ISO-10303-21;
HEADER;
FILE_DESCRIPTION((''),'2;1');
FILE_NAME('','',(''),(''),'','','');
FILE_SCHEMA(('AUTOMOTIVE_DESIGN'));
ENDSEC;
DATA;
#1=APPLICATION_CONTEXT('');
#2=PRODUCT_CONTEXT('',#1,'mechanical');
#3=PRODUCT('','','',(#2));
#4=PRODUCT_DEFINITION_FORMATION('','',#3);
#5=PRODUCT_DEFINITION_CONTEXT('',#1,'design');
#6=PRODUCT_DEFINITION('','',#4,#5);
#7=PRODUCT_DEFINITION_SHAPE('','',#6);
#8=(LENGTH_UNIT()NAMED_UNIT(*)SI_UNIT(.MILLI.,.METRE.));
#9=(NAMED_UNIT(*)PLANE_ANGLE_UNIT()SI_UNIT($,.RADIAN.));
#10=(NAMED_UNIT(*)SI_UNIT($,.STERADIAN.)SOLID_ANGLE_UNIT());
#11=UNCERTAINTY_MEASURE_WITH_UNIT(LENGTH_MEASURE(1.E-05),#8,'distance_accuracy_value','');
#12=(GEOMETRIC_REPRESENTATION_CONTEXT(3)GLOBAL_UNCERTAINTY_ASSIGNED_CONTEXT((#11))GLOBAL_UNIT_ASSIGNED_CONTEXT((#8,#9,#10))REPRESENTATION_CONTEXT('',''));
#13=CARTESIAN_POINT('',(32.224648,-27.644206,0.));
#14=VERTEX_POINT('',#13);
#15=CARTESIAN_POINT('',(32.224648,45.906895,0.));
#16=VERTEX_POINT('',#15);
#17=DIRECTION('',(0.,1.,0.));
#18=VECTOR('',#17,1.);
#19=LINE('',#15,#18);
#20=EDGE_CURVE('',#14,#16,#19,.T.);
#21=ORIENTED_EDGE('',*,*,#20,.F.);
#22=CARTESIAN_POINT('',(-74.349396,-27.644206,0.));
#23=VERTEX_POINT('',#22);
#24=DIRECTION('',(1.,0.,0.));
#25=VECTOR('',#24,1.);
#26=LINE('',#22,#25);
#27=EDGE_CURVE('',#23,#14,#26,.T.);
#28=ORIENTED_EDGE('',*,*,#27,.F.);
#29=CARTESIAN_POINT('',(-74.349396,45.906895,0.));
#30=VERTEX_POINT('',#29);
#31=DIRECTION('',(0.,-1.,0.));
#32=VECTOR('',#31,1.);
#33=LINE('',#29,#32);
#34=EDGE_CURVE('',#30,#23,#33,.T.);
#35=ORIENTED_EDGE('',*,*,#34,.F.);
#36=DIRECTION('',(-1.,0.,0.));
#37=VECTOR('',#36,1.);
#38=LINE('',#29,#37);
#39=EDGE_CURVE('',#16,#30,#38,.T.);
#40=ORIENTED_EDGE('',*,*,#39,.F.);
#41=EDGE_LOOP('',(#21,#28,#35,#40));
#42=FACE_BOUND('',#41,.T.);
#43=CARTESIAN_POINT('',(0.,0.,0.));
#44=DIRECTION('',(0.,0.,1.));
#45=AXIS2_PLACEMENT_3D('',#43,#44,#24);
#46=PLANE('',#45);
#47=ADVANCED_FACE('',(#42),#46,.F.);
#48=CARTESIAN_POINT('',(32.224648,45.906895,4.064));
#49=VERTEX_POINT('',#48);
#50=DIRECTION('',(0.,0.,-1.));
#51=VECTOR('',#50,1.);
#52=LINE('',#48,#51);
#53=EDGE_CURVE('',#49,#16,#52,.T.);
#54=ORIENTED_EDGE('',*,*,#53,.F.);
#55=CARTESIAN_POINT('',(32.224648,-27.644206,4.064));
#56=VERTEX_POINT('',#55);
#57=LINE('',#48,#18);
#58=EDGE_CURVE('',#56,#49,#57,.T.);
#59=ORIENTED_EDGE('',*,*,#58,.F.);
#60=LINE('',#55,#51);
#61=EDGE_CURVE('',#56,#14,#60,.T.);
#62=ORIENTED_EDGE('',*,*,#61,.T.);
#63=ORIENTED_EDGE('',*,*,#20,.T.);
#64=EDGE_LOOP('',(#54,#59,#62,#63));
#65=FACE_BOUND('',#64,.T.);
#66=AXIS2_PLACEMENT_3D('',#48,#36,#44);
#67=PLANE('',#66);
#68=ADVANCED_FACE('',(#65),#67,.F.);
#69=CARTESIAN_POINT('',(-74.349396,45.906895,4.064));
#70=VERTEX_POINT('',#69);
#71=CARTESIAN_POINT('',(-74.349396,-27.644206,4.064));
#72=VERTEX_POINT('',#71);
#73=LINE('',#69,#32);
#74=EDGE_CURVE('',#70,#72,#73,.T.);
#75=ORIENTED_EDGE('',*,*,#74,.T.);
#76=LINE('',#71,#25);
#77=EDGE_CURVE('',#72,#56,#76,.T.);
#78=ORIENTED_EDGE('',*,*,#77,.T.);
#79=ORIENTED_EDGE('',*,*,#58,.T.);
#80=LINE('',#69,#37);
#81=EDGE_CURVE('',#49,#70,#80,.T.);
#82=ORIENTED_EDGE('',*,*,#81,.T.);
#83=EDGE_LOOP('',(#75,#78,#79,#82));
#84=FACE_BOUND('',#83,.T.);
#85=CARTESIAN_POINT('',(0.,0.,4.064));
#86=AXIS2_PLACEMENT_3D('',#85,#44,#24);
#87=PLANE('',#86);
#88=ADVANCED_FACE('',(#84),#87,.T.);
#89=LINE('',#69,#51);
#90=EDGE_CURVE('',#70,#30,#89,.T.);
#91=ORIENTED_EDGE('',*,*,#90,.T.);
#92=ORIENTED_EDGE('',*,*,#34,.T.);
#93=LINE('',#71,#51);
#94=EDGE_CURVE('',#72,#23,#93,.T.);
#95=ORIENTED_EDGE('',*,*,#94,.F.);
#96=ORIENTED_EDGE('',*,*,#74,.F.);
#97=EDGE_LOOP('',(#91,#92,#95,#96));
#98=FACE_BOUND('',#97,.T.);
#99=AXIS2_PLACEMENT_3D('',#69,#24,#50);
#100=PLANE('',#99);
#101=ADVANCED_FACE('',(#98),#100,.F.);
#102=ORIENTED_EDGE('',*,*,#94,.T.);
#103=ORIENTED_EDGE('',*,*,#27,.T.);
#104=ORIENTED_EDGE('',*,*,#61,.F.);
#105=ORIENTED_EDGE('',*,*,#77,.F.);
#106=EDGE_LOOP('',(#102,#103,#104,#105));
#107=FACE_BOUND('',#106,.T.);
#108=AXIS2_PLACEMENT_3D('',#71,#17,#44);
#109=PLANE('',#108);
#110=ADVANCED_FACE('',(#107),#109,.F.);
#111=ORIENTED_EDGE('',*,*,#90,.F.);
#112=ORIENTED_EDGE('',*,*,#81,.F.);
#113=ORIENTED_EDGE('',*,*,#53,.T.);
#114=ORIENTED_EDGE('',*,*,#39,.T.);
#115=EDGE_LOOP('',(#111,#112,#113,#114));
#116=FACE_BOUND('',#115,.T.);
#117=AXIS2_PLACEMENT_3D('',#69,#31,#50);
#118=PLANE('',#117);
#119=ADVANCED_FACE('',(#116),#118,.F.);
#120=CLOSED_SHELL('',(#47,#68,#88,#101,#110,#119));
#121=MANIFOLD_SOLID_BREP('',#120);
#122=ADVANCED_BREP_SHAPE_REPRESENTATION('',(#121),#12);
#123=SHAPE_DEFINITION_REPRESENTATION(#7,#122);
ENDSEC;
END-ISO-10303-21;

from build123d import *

# Parameters (mm, degrees)
IZIM1_W                     = 106.574044032
IZIM1_H                     = 73.551100811
Y_KSEKLIK_EKSTR_ZYON1_DEPTH = 4.064


with BuildPart() as part:
    # Çizim1 → Yükseklik-Ekstrüzyon1 (new body)
    with BuildSketch(Plane.XY):
        with Locations((-21.062373536, 9.131344149)):
            Rectangle(IZIM1_W, IZIM1_H)
    extrude(amount=Y_KSEKLIK_EKSTR_ZYON1_DEPTH)


solid = part.part
